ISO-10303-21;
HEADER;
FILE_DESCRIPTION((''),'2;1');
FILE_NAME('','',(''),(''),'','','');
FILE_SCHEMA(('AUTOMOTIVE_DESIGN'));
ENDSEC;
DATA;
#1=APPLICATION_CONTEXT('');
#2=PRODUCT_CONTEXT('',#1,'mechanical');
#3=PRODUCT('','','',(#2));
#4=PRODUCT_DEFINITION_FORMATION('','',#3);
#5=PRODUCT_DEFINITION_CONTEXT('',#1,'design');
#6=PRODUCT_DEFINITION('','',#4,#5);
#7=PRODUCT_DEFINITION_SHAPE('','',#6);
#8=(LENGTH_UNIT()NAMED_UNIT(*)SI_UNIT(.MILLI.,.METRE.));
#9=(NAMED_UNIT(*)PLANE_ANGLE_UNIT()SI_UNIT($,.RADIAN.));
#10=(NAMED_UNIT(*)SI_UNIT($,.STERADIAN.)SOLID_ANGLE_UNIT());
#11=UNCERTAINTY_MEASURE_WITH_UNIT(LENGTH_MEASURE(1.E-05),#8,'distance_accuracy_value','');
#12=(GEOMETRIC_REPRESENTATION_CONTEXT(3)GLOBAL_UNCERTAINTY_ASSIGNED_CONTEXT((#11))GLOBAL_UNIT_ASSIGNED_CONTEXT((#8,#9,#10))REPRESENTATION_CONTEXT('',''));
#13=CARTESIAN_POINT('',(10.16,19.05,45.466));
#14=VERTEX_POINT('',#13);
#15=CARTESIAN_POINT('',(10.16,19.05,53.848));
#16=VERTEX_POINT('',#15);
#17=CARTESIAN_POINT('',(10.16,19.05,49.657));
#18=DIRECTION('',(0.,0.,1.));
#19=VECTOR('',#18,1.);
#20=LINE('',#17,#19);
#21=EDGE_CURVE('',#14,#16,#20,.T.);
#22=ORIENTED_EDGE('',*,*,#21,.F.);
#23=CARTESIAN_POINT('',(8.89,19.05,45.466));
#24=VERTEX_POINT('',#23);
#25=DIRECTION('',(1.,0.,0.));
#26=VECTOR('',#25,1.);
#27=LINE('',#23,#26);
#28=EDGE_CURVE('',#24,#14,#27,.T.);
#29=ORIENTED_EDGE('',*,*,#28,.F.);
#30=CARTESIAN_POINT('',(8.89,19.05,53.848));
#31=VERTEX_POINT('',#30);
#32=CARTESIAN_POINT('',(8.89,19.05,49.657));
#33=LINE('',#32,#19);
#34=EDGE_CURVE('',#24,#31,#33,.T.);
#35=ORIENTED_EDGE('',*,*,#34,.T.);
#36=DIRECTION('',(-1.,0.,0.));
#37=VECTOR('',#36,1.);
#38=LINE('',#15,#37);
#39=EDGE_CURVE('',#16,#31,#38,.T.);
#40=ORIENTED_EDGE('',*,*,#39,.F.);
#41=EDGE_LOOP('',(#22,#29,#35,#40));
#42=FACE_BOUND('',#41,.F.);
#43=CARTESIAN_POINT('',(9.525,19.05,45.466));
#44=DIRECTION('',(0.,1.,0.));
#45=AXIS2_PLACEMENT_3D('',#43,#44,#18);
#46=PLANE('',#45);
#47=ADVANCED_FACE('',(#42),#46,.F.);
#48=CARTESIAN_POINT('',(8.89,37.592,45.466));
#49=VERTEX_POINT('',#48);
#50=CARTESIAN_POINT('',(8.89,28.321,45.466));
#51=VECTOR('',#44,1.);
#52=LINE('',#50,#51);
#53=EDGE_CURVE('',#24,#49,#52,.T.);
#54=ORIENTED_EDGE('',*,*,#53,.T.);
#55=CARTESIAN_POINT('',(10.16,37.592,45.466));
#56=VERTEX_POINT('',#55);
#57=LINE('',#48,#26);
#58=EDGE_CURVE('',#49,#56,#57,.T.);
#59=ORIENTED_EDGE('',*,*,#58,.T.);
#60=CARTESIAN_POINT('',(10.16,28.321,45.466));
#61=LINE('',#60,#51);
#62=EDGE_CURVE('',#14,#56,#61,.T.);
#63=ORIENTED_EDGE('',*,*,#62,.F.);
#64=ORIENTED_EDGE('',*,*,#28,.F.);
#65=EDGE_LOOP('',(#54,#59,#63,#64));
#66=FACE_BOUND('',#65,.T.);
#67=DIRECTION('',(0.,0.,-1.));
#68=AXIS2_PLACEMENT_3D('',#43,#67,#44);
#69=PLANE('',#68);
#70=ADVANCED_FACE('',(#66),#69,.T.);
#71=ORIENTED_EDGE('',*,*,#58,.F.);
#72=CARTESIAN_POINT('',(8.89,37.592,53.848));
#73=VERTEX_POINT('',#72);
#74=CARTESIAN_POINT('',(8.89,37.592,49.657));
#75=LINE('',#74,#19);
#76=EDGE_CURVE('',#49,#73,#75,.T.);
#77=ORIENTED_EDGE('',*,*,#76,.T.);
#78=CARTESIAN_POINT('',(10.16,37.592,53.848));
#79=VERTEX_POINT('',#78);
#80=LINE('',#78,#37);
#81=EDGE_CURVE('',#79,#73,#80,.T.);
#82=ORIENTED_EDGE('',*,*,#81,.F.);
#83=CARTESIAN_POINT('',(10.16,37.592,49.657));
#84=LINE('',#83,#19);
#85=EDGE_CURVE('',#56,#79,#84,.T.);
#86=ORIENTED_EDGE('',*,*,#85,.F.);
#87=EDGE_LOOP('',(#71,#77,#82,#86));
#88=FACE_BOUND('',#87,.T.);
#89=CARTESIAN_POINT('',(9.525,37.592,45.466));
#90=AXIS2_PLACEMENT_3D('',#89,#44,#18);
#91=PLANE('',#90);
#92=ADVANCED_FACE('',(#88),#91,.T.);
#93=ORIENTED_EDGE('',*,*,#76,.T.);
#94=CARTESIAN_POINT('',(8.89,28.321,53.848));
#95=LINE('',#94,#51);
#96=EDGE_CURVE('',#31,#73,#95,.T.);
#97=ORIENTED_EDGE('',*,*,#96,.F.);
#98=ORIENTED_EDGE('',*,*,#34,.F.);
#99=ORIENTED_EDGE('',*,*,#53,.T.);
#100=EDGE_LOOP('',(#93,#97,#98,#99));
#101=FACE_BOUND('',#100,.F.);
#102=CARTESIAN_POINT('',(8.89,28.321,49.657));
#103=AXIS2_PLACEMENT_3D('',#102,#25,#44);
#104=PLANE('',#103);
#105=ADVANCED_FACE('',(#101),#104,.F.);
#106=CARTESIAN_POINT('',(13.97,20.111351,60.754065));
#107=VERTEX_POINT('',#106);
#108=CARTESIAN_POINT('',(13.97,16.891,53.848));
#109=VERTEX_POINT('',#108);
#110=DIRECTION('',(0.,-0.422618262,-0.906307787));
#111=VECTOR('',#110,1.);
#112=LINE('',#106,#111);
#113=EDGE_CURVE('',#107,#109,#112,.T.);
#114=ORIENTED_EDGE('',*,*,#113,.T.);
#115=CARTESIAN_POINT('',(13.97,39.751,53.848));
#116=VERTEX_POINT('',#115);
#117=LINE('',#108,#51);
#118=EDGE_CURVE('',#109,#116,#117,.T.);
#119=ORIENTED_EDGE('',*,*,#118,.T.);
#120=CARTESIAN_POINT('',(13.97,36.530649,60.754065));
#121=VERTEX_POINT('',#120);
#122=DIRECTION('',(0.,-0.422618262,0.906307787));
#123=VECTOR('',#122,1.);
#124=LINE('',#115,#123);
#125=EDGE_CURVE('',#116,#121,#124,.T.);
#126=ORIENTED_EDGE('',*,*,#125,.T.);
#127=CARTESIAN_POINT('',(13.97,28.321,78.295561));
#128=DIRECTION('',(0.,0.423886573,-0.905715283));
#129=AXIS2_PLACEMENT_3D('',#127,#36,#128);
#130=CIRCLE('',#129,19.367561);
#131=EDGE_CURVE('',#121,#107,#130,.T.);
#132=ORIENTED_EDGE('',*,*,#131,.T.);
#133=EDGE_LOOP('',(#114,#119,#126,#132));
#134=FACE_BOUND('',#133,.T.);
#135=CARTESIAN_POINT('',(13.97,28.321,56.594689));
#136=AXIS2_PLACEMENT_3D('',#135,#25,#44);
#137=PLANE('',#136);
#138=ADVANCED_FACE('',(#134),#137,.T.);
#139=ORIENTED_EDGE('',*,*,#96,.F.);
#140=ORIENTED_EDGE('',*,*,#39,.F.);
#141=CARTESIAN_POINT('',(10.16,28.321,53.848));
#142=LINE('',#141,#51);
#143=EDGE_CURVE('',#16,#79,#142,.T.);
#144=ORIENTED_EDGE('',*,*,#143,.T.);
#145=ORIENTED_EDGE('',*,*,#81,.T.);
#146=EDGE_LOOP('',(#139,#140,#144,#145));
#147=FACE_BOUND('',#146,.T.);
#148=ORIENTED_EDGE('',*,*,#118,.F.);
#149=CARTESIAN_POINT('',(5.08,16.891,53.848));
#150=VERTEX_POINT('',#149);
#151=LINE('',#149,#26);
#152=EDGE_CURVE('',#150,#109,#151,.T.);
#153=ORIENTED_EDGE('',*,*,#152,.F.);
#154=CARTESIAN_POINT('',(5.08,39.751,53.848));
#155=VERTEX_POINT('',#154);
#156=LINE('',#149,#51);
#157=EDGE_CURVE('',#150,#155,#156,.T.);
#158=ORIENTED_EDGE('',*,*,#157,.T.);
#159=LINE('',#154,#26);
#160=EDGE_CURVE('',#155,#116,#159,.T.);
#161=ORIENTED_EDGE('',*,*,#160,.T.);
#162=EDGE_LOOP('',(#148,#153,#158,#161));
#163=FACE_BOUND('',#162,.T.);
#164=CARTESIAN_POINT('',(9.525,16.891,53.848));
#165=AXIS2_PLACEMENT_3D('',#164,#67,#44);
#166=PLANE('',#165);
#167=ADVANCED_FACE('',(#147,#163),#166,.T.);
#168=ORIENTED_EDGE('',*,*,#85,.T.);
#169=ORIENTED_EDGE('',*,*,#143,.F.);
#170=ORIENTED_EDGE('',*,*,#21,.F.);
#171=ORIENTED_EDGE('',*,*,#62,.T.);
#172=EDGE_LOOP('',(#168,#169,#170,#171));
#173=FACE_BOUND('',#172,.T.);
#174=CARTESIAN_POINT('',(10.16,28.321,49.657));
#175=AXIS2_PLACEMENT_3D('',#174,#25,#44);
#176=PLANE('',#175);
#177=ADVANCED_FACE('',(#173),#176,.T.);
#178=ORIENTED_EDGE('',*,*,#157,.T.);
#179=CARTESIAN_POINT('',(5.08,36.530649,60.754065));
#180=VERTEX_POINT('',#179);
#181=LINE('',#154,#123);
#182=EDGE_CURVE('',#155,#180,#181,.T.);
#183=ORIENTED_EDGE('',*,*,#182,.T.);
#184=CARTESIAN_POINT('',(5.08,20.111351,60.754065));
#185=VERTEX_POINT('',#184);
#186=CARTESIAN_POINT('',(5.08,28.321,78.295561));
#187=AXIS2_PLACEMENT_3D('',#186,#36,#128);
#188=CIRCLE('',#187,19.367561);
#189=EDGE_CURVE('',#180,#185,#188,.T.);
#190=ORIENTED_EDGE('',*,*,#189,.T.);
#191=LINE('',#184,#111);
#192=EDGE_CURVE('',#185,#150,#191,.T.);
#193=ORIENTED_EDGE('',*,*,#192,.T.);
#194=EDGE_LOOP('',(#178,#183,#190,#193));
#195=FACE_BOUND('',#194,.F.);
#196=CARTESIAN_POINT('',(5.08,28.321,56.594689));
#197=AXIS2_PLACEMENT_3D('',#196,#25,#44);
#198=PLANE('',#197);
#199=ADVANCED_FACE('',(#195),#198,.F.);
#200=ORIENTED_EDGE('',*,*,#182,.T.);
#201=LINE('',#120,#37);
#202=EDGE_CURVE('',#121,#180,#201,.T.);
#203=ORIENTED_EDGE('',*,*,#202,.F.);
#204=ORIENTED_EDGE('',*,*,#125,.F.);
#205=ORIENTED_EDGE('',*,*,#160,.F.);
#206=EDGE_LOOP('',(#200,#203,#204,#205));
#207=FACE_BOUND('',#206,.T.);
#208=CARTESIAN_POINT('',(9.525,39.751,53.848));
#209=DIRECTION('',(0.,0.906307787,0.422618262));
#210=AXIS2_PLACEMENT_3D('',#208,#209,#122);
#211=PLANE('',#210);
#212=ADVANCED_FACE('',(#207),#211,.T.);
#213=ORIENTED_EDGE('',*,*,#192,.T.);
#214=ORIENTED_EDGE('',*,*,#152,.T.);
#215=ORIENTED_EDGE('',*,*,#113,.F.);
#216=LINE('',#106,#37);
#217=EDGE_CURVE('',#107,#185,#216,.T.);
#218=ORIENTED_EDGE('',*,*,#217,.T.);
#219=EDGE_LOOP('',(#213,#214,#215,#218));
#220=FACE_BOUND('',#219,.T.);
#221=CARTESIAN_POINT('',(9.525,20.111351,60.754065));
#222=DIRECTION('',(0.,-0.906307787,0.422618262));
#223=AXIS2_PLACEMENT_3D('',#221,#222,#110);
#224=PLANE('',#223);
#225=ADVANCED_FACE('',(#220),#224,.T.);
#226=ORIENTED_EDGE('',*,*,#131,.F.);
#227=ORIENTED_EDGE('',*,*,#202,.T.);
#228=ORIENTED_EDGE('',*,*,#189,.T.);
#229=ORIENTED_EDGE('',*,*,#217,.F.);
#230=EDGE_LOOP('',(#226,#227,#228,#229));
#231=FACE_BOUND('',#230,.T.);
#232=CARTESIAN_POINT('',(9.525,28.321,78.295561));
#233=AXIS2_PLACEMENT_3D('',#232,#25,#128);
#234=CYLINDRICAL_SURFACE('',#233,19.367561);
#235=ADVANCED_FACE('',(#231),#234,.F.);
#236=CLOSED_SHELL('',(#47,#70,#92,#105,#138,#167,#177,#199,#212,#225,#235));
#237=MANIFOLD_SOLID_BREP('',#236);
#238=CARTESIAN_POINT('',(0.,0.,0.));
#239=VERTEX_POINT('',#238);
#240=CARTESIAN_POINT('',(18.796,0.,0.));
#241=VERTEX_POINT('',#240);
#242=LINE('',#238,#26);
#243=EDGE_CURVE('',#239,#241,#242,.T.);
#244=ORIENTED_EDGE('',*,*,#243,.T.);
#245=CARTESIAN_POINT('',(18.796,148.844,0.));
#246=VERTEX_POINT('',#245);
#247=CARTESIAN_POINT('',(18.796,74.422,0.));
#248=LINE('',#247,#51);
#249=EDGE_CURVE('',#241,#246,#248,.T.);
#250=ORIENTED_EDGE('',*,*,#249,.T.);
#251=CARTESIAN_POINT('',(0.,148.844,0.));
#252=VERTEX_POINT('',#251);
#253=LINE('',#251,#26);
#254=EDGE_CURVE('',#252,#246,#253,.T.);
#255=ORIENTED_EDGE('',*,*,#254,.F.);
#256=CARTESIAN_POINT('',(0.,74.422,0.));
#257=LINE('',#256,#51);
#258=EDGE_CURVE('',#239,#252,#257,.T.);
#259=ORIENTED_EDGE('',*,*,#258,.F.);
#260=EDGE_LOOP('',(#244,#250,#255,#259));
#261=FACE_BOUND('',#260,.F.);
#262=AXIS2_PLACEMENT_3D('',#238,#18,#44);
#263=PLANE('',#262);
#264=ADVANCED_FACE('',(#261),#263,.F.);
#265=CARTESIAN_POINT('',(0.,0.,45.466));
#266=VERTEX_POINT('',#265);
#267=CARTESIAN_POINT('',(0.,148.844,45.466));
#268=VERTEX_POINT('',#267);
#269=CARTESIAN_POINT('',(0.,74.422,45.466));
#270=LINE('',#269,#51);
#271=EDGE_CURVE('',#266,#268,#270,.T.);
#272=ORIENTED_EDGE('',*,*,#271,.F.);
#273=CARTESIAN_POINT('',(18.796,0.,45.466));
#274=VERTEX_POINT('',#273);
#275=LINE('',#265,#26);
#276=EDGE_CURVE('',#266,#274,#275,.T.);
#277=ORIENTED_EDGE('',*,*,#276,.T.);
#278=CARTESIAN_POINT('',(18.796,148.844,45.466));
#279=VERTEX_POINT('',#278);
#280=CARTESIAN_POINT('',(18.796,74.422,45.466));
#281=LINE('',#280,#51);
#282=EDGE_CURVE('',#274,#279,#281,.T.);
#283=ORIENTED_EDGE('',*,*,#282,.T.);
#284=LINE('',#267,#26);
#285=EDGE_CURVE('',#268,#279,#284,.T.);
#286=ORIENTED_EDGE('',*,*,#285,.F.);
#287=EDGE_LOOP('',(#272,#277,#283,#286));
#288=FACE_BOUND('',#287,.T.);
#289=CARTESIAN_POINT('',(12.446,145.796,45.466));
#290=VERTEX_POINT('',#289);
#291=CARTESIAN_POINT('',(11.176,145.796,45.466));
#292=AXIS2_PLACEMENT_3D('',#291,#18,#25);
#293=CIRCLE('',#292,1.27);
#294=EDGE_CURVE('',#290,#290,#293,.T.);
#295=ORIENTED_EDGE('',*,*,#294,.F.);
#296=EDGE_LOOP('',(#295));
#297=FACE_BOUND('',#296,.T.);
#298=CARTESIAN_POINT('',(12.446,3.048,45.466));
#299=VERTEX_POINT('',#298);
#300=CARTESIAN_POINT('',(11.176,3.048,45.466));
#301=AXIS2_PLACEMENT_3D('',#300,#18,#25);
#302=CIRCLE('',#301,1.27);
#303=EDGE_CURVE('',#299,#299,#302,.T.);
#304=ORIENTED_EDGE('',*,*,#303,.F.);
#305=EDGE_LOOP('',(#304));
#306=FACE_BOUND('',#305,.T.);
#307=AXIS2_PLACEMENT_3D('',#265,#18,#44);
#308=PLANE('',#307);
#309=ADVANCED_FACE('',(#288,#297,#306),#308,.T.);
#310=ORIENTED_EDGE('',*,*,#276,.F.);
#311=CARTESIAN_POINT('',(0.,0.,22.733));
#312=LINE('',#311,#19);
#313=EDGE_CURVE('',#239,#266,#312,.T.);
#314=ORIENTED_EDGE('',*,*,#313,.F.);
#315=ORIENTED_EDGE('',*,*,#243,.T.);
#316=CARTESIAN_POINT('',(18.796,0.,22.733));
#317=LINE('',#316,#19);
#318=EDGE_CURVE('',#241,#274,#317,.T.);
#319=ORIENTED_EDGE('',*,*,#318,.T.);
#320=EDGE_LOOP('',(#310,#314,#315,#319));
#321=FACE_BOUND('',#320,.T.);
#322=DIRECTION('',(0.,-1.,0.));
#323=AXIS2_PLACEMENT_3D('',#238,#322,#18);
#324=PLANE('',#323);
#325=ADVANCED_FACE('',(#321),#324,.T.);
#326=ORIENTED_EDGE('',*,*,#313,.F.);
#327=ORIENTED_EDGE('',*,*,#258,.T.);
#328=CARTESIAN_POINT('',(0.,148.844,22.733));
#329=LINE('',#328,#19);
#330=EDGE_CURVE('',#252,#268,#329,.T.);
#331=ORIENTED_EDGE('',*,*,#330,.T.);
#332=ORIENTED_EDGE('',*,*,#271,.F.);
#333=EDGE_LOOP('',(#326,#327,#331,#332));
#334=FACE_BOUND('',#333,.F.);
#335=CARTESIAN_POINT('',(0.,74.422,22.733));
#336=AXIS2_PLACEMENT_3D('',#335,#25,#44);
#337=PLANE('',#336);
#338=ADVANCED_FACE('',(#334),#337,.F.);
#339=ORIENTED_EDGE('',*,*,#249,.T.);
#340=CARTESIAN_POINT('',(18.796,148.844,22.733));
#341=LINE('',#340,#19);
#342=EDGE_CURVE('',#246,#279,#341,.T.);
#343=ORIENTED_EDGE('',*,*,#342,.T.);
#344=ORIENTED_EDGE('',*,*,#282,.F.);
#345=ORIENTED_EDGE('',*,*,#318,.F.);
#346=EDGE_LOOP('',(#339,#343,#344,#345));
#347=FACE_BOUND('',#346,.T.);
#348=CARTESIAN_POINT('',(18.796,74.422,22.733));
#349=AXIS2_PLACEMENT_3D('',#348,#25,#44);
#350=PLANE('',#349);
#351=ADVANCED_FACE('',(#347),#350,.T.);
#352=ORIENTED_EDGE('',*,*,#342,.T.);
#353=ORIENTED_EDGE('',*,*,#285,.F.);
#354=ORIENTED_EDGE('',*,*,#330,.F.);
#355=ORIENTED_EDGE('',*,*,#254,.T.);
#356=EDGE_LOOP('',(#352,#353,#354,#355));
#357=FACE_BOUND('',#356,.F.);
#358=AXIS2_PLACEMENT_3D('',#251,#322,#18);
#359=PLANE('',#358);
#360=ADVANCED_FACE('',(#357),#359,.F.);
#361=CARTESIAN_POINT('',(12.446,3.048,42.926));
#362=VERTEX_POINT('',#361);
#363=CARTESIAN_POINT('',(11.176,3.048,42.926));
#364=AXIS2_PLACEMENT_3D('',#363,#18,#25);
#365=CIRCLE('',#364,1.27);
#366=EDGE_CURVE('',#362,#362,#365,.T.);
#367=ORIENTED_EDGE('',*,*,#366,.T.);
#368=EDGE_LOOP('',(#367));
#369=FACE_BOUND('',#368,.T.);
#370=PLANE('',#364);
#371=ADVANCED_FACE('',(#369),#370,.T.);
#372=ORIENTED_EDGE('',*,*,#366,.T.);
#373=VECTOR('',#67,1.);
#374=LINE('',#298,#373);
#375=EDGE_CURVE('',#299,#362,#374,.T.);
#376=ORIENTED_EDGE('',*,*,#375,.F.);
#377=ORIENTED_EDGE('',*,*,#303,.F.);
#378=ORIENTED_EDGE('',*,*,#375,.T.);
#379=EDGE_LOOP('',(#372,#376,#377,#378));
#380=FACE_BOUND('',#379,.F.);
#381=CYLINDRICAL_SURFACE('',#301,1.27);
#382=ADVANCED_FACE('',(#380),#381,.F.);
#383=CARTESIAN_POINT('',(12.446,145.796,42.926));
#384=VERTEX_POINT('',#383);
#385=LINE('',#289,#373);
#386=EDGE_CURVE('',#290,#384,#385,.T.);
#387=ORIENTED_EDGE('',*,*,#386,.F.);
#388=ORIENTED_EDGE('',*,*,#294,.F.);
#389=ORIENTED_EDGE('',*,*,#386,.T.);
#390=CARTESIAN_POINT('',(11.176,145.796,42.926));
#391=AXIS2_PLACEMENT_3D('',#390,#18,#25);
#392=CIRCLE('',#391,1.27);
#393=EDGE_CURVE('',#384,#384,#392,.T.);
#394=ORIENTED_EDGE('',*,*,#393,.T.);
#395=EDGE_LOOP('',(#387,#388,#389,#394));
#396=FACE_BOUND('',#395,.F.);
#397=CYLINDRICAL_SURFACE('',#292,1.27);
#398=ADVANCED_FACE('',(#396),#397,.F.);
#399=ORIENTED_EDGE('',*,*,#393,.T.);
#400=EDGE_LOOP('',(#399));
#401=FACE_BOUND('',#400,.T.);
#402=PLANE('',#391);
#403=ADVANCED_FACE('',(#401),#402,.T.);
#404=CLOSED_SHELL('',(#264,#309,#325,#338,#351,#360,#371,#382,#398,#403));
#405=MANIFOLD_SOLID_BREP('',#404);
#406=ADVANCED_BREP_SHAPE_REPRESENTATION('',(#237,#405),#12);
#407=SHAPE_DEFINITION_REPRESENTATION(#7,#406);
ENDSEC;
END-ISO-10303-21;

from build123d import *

# Parameters (mm, degrees)
F0_W     = 148.844
F0_H     = 45.466
F1_DEPTH = 18.796
F2_R     = 1.27
F3_DEPTH = 2.54
F5_W     = 18.542
F5_H     = 8.382
F6_DEPTH = 0.635
F8_DEPTH = 4.445


with BuildPart() as f1:
    # F0 (on Right) → F1 (new body)
    with BuildSketch(Plane.YZ):
        with Locations((74.422, 22.733)):
            Rectangle(F0_W, F0_H)
    extrude(amount=F1_DEPTH)

    # F2 (on face) → F3 (cut)
    with BuildSketch(Plane.XY.offset(45.466)):
        with Locations((11.176, 145.796)):
            Circle(F2_R)
        with Locations((11.176, 3.048)):
            Circle(F2_R)
    extrude(amount=-F3_DEPTH, mode=Mode.SUBTRACT)


with BuildPart() as f6:
    # F5 (on offset) → F6 (new body, symmetric)
    with BuildSketch(Plane.YZ.offset(9.525)):
        with Locations((28.321, 49.657)):
            Rectangle(F5_W, F5_H)
    extrude(amount=F6_DEPTH, both=True)

    # F7 (on offset) → F8 (join, symmetric)
    with BuildSketch(Plane.YZ.offset(9.525)):
        with BuildLine():
            Line((20.111351, 60.754065), (16.891, 53.848))
            Line((16.891, 53.848), (39.751, 53.848))
            Line((39.751, 53.848), (36.530649, 60.754065))
            ThreePointArc((36.530649, 60.754065), (28.321, 58.928), (20.111351, 60.754065))
        make_face()
    extrude(amount=F8_DEPTH, both=True)


solid = Compound([f1.part, f6.part])
